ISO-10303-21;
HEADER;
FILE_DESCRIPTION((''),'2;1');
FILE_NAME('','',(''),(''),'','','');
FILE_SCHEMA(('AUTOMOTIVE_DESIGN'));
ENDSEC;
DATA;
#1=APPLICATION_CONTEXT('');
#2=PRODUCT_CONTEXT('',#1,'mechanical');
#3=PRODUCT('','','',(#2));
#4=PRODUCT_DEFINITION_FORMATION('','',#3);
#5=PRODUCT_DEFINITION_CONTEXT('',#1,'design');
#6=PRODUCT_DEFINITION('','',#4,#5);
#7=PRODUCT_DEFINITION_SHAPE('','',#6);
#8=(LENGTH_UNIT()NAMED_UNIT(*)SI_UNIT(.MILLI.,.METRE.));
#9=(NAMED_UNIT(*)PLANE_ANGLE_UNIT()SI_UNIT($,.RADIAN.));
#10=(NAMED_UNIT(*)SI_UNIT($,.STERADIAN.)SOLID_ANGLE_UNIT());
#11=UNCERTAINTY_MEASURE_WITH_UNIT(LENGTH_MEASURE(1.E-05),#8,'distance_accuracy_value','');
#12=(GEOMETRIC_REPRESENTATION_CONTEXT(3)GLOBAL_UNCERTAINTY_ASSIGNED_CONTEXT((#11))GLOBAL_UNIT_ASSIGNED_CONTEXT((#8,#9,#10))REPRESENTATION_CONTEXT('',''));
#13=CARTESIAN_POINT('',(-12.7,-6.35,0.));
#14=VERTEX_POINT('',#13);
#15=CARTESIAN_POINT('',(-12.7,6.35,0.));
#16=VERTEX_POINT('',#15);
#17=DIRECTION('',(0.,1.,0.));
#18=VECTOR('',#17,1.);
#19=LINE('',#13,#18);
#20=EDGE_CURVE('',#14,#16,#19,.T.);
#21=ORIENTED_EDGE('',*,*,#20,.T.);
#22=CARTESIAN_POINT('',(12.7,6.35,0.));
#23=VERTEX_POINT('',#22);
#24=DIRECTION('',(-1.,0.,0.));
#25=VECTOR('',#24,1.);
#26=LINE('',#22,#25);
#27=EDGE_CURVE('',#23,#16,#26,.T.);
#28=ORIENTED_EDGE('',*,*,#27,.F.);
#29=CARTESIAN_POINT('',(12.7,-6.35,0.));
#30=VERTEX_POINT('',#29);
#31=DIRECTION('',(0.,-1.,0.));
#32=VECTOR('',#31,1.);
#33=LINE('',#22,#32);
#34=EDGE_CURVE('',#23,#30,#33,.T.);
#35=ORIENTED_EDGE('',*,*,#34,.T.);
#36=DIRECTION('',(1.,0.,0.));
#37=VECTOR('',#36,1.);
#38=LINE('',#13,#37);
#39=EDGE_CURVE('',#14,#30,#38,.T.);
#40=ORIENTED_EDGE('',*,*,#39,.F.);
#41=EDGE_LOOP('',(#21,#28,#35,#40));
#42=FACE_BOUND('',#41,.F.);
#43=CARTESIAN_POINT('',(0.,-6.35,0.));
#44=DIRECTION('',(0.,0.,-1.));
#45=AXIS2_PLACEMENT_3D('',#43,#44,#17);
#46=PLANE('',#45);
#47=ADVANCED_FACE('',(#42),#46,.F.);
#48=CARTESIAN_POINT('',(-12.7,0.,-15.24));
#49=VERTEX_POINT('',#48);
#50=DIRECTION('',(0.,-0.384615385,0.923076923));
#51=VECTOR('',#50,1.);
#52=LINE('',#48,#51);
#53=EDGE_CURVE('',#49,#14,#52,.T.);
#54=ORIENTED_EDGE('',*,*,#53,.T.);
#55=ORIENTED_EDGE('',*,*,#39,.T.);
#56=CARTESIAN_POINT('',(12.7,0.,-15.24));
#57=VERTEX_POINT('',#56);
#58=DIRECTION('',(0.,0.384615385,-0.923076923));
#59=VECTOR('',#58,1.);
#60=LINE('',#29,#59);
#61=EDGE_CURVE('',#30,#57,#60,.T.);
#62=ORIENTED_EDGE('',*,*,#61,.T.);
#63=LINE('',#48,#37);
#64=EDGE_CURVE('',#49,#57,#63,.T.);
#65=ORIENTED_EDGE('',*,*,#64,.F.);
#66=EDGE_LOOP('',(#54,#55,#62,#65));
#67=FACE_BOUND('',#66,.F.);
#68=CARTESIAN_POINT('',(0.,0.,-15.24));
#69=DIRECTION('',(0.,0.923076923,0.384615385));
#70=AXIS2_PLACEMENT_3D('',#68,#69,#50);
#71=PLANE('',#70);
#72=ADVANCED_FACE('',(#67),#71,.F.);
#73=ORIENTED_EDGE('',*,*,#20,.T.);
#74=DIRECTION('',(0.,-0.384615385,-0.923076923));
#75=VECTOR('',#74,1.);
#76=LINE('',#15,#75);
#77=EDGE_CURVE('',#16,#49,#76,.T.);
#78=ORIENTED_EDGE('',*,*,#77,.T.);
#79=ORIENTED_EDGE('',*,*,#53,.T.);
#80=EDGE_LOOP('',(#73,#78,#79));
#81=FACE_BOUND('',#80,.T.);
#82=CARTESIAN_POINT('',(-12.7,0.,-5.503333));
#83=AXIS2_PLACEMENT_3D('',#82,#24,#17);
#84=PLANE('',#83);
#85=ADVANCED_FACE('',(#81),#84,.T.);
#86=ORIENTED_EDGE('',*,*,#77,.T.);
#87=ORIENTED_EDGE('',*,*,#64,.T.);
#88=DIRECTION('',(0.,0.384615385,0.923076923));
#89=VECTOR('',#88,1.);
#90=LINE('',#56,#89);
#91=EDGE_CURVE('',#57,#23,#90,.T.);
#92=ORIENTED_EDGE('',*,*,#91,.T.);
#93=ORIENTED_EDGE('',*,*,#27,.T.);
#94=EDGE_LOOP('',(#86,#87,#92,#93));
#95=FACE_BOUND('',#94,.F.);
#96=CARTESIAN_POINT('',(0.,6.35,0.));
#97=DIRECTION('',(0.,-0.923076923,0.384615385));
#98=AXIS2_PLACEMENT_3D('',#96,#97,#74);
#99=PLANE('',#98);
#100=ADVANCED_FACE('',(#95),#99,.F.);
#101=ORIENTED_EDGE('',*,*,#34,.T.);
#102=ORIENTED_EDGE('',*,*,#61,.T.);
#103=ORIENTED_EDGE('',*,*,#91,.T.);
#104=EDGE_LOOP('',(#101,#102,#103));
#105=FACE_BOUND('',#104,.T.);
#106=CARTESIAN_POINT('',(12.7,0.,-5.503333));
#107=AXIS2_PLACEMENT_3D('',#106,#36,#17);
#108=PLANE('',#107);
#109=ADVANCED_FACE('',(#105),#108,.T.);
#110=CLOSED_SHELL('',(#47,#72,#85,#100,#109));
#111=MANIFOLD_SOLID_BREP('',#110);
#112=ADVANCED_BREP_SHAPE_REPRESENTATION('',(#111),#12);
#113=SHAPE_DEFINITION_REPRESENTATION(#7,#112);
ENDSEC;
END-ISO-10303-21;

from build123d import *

# Parameters (mm, degrees)
F1_DEPTH = 12.7
F2_DEPTH = 12.7


with BuildPart() as f1:
    # F0 (on Right) → F1 (new body)
    with BuildSketch(Plane.YZ):
        Polygon((6.35, 0), (0, 0), (-6.35, 0), (0, -15.24), align=None)
    extrude(amount=F1_DEPTH)

    # F1_face (on face) → F2 (join)
    with BuildSketch(Plane(origin=(0, 0, -5.08), x_dir=(0, 1, 0), z_dir=(-1, 0, 0))):
        Polygon((-6.35, -5.08), (6.35, -5.08), (0, 10.16), align=None)
    extrude(amount=F2_DEPTH)


solid = f1.part
